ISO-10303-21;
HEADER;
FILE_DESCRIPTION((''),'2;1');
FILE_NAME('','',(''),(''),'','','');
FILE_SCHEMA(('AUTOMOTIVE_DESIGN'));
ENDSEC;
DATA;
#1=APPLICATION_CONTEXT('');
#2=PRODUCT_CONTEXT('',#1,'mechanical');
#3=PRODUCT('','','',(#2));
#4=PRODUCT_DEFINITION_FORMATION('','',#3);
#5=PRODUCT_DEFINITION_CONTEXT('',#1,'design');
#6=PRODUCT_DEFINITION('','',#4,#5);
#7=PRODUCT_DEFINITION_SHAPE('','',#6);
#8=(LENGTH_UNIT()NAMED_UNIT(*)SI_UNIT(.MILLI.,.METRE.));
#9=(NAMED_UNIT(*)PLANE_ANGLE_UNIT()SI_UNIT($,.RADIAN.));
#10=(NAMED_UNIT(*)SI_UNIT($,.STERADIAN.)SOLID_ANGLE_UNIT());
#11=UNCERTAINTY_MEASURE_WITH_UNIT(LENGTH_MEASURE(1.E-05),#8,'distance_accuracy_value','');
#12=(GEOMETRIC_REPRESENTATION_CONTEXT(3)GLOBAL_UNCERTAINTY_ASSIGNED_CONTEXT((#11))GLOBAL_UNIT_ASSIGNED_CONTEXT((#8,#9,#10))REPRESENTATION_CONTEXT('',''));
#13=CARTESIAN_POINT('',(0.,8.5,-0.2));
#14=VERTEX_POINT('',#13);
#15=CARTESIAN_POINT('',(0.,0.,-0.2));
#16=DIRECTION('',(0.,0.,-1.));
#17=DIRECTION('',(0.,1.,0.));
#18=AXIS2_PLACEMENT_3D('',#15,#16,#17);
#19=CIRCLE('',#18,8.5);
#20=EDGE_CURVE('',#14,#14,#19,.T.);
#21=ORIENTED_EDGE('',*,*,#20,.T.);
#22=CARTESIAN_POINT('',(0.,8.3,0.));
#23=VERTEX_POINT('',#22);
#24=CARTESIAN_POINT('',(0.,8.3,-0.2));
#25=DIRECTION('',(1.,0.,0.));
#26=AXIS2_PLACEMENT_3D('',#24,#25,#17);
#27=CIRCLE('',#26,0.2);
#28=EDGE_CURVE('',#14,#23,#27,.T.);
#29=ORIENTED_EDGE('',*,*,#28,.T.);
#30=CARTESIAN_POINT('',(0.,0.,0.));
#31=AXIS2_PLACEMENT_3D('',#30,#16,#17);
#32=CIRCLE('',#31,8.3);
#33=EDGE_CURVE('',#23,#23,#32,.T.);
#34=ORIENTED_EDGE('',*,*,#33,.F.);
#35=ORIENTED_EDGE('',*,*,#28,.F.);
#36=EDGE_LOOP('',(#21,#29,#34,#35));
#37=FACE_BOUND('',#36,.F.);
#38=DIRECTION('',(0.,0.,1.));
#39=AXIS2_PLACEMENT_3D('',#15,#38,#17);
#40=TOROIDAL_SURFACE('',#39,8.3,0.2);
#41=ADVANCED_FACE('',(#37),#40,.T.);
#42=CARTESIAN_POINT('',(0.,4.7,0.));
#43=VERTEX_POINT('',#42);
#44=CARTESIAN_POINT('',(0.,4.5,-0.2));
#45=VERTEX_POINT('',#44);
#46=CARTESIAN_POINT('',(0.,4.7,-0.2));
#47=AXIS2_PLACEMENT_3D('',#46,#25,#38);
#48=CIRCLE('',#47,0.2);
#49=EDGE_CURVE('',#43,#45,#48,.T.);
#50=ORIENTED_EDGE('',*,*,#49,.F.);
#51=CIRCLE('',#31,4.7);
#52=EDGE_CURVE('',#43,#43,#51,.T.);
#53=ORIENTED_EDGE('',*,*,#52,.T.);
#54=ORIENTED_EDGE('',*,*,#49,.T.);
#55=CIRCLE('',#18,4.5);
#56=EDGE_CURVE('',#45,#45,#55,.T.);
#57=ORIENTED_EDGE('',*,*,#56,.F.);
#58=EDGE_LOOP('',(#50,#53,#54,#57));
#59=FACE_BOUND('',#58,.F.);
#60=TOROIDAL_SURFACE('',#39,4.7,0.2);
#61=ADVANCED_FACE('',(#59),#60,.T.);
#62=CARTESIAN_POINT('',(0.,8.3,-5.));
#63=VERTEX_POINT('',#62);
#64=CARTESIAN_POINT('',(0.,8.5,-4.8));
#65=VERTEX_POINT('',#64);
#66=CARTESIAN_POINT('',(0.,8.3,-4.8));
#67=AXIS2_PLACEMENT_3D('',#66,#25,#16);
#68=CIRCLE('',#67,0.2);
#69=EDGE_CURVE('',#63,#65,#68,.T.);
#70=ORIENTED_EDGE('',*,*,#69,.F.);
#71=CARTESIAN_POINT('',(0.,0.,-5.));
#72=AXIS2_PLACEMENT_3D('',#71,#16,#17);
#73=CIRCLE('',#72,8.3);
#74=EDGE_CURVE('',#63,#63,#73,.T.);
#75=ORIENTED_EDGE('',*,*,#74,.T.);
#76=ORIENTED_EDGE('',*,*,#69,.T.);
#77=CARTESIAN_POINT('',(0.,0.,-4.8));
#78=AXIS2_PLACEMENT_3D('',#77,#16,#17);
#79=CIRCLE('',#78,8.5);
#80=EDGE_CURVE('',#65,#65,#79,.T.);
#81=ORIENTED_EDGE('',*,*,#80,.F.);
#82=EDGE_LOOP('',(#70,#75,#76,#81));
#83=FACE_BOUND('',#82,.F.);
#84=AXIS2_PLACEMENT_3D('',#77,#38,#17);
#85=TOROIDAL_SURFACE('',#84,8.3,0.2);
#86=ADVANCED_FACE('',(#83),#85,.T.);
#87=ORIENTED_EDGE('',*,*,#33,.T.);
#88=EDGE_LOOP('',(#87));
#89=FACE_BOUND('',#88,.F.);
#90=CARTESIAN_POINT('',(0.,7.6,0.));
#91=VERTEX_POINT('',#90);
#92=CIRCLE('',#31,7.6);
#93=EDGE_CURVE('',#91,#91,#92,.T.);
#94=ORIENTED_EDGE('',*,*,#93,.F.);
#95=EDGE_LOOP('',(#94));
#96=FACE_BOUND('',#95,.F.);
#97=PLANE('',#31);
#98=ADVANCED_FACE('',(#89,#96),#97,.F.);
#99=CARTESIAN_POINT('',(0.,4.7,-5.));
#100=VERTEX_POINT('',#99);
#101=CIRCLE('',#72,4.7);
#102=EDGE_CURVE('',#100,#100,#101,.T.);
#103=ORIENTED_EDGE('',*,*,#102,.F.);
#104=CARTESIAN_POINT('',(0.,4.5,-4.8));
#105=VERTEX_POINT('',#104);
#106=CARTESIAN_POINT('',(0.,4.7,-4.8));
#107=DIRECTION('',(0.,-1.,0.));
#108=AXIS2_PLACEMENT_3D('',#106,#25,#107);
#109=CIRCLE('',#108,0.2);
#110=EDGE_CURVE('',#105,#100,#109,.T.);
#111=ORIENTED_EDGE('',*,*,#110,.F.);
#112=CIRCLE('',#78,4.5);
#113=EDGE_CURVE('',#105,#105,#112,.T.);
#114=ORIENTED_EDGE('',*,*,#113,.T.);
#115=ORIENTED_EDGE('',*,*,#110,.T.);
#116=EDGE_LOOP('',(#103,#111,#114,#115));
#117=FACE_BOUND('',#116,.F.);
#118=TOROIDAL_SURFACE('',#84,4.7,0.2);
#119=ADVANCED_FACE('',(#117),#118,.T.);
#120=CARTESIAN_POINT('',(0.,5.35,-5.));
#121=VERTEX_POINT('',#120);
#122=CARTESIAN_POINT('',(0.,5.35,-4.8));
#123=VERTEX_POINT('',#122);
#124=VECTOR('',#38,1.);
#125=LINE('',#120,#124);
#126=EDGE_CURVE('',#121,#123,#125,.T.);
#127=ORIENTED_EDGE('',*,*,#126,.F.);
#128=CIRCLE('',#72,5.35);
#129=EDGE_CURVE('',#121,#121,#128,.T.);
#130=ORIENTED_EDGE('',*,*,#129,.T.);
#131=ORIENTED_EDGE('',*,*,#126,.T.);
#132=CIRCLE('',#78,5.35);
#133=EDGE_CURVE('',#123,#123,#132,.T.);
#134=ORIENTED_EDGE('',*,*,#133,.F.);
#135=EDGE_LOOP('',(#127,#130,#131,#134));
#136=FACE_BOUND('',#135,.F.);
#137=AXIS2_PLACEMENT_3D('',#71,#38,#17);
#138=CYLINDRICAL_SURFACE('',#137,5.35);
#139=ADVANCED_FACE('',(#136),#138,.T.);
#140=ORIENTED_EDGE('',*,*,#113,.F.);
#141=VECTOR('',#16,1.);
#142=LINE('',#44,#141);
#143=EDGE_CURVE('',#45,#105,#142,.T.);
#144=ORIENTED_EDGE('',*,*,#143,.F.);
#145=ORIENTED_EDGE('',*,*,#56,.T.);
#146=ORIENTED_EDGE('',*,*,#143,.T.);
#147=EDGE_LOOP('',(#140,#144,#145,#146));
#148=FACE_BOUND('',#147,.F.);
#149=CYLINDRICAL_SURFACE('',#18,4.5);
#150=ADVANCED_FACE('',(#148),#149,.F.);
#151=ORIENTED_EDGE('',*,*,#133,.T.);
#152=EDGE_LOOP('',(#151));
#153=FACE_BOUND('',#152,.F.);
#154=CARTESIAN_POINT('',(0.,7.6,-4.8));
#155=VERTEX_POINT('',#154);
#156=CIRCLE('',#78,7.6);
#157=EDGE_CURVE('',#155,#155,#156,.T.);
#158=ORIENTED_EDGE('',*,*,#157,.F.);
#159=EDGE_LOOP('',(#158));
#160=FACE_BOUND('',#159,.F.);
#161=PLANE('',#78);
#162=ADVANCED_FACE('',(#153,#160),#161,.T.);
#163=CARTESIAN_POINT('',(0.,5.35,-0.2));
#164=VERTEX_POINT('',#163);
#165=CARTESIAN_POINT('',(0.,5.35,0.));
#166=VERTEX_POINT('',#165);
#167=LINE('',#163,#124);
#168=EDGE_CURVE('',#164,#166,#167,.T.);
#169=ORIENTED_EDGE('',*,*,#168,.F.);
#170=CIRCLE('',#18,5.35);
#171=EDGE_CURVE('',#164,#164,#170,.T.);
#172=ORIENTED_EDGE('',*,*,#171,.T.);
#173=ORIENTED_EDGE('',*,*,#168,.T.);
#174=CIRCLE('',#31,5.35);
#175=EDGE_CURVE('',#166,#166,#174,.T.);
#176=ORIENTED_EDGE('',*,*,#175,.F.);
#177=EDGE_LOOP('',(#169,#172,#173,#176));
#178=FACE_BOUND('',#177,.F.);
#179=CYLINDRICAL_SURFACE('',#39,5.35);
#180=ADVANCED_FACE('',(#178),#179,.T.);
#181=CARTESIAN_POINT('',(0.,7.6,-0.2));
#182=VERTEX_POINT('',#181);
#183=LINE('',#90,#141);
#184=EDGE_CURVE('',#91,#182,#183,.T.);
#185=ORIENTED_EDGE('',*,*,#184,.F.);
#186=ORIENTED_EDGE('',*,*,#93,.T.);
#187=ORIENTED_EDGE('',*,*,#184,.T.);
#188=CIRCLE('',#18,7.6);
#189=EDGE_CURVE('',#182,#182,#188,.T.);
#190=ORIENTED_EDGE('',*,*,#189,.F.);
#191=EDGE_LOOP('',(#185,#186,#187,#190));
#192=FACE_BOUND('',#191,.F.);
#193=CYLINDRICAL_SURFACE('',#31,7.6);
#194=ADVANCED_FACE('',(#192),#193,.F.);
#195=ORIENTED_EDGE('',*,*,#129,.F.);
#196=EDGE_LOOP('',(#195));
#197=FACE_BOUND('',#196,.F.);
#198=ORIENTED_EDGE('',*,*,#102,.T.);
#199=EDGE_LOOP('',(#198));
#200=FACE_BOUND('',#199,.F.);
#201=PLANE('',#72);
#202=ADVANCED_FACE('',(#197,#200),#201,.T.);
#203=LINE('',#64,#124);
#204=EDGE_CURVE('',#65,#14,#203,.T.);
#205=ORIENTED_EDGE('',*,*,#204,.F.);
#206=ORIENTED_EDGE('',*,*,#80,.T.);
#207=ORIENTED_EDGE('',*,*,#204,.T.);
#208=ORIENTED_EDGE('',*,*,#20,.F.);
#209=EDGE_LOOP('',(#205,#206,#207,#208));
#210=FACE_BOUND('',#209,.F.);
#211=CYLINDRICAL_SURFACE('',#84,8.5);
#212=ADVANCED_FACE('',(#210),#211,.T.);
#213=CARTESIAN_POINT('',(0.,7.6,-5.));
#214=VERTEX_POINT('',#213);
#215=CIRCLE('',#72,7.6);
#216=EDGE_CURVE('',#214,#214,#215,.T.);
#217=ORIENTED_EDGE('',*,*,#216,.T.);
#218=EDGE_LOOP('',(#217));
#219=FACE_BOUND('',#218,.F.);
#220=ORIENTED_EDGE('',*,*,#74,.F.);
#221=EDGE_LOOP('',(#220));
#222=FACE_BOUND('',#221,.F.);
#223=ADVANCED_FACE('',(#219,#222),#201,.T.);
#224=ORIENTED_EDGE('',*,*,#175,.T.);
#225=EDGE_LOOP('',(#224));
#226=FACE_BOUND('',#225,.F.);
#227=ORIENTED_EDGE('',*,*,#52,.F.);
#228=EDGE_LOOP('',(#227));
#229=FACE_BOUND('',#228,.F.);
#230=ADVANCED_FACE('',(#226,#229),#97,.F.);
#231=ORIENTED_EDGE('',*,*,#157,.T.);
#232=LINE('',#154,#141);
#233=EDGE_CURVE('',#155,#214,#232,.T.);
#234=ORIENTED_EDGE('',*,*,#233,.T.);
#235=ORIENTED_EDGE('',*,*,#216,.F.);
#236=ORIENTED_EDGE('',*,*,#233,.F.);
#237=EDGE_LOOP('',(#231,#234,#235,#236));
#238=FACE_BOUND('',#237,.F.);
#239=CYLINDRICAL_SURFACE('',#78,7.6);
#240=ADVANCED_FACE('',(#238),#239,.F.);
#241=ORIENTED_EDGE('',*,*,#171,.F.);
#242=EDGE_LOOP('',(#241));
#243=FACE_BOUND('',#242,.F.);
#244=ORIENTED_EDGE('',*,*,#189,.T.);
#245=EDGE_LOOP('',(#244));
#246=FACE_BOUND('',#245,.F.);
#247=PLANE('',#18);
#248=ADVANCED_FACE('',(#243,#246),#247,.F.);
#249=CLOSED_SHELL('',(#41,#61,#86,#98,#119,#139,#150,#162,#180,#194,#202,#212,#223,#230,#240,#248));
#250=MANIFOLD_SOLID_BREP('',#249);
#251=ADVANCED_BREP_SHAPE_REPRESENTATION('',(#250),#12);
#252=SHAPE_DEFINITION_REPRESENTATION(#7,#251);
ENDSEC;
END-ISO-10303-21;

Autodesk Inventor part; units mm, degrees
sketch "Sketch_1" plane through (0, 0, 0) normal (1, 0, 0) x (0, 0, -1)
  line L0 (5, 0) -> (0, 0)
  arc A0 (0, 4.7) -> (0.2, 4.5) centre (0.2, 4.7) ccw
  line L1 (0.2, 4.5) -> (4.8, 4.5)
  arc A1 (4.8, 4.5) -> (5, 4.7) centre (4.8, 4.7) ccw
  line L2 (5, 4.7) -> (5, 5.35)
  line L3 (5, 5.35) -> (4.8, 5.35)
  line L4 (4.8, 5.35) -> (4.8, 7.6)
  line L5 (4.8, 7.6) -> (5, 7.6)
  line L6 (5, 7.6) -> (5, 8.3)
  arc A2 (5, 8.3) -> (4.8, 8.5) centre (4.8, 8.3) ccw
  line L7 (4.8, 8.5) -> (0.2, 8.5)
  arc A3 (0.2, 8.5) -> (0, 8.3) centre (0.2, 8.3) ccw
  line L8 (0, 8.3) -> (0, 7.6)
  line L9 (0, 7.6) -> (0.2, 7.6)
  line L10 (0.2, 7.6) -> (0.2, 5.35)
  line L11 (0.2, 5.35) -> (0, 5.35)
  line L12 (0, 5.35) -> (0, 4.7)
revolve "Revolution1" add sketch "Sketch_1" angle 360 about axis through (0, 0, -5) along (0, 0, -1)
ref_plane "to_housing_XY" through (0, 0, 0) normal (0, 0, -1) x (1, 0, 0)
ref_plane "to_housing_YZ" through (0, 0, 0) normal (1, 0, 0) x (0, -1, 0)
ref_plane "to_housing_ZX" through (0, 0, 0) normal (0, -1, 0) x (0, 0, -1)
properties part number "SUTB689ZZ" material "ステンレス鋼"
